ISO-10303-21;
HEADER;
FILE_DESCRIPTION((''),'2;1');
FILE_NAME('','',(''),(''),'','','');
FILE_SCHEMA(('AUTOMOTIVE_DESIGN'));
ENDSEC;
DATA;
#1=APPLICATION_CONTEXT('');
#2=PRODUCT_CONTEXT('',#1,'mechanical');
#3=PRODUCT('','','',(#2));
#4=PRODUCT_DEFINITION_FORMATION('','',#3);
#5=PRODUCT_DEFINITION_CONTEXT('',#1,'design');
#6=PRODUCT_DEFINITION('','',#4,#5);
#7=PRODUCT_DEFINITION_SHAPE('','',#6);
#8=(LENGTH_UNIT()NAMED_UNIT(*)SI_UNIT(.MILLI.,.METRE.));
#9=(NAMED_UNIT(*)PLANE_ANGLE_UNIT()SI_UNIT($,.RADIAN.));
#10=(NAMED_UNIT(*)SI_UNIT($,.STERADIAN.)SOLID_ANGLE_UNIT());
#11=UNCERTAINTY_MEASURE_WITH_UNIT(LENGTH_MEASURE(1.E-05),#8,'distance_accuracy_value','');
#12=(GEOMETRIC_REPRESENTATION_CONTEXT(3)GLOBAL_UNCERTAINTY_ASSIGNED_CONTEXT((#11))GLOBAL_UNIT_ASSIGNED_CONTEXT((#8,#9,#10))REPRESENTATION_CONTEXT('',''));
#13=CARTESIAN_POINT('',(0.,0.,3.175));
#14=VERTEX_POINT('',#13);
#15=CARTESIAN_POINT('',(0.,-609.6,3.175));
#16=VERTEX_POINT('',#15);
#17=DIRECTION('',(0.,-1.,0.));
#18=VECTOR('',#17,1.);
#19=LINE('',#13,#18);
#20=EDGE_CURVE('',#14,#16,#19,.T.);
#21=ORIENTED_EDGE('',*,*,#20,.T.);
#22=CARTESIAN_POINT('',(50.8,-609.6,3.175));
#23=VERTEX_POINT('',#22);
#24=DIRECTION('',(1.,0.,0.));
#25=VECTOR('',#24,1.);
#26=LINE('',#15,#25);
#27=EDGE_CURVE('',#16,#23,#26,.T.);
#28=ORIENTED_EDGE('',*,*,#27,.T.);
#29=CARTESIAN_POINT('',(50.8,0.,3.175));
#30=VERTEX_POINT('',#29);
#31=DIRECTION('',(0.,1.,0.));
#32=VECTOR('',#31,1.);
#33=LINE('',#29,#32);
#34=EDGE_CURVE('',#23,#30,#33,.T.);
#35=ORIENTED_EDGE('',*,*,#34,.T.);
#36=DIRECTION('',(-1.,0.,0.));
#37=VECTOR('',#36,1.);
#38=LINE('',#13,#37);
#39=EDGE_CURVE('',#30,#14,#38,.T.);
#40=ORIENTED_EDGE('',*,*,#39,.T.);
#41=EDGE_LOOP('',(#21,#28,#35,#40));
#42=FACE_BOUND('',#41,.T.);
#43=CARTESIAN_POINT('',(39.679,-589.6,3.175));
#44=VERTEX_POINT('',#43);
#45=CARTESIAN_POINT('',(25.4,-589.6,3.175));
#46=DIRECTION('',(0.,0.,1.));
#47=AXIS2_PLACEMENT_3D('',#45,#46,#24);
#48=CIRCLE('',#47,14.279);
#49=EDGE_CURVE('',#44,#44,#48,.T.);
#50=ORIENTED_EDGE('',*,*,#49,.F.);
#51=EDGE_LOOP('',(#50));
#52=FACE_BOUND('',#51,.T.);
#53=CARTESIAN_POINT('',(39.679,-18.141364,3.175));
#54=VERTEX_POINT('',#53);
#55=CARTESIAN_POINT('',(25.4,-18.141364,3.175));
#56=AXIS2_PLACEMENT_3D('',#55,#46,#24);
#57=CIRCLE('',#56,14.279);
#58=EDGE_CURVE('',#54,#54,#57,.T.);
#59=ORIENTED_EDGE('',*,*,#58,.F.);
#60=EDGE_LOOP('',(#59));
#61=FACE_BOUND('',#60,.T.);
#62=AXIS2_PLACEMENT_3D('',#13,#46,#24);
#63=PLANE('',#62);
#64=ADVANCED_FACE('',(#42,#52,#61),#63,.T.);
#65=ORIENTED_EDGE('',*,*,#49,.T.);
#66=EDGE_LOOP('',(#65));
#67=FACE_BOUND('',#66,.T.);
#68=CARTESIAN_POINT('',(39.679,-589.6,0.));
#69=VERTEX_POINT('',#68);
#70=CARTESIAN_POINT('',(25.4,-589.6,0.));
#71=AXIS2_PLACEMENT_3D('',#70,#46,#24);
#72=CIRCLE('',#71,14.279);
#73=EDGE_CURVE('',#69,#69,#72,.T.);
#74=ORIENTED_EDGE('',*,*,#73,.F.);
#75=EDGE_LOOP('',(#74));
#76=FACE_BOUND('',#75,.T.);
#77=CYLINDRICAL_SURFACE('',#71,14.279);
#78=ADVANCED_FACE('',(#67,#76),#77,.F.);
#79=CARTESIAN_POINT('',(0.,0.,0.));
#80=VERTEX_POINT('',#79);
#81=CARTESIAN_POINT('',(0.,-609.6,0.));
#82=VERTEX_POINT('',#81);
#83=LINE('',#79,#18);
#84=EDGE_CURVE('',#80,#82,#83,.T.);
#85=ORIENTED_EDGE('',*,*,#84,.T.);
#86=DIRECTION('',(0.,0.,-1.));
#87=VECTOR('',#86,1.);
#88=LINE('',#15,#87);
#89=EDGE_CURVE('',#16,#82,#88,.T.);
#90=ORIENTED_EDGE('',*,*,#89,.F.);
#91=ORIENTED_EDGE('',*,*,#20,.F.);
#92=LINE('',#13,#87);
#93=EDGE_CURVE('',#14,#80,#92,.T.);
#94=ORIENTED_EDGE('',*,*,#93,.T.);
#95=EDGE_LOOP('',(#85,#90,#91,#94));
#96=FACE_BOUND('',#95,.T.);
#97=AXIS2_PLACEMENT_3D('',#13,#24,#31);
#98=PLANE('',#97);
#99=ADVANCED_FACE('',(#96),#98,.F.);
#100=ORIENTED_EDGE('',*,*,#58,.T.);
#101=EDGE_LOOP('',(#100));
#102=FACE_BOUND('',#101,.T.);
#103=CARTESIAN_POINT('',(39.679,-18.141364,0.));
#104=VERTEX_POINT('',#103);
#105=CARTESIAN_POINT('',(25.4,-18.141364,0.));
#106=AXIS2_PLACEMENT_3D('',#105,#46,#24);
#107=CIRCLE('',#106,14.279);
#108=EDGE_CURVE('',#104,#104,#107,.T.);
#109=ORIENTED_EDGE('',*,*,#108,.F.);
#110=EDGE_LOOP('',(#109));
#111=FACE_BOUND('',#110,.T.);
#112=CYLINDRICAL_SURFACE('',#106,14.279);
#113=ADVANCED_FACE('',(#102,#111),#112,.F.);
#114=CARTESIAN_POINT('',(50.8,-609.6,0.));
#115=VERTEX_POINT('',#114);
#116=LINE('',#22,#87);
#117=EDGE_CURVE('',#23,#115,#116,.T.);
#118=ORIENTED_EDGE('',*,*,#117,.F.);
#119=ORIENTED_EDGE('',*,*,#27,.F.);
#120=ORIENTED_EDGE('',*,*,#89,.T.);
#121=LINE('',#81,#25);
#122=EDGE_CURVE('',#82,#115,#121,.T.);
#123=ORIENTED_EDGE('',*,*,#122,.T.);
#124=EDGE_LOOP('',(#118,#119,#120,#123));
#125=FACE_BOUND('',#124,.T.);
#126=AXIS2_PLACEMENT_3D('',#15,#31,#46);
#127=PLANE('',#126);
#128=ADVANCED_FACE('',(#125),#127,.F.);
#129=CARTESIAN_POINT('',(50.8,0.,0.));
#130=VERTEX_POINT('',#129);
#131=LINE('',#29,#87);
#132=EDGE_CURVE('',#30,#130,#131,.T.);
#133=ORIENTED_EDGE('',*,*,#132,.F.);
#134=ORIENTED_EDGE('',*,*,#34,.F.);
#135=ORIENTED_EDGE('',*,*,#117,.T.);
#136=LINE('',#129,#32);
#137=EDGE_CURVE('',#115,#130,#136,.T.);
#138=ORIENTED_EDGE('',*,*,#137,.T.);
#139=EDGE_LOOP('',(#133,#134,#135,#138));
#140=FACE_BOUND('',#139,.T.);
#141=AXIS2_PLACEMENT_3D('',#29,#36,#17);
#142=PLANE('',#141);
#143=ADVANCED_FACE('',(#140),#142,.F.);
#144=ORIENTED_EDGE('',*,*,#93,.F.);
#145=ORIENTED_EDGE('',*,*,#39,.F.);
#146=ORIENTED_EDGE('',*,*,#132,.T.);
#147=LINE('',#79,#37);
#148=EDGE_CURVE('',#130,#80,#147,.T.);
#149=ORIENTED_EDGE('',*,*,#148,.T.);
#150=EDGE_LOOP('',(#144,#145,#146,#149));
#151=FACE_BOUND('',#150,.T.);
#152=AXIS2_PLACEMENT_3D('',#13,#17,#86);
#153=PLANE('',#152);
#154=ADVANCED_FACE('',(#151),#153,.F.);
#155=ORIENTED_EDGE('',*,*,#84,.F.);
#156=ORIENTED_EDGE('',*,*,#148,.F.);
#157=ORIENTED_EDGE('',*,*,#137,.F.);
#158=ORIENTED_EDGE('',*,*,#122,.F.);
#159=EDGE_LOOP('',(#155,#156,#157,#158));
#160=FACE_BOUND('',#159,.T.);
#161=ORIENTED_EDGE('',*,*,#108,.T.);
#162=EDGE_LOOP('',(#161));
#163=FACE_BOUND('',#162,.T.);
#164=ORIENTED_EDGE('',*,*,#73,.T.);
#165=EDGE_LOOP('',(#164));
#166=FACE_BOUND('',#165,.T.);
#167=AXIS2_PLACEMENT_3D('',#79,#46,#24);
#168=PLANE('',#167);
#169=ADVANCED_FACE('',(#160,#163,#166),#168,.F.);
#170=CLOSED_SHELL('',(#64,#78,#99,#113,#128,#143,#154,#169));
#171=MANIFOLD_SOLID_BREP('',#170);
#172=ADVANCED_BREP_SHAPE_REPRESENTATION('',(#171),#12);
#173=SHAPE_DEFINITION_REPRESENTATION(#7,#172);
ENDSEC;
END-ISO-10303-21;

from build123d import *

# Parameters (mm, degrees)
SKETCH1_W           = 50.8
SKETCH1_H           = 609.6
BOSS_EXTRUDE1_DEPTH = 3.175
SKETCH2_R           = 14.279
CUT_EXTRUDE1_DEPTH  = 4.175


with BuildPart() as part:
    # Sketch1 → Boss-Extrude1 (new body)
    with BuildSketch(Plane.XY):
        with Locations((25.4, -304.8)):
            Rectangle(SKETCH1_W, SKETCH1_H)
    extrude(amount=BOSS_EXTRUDE1_DEPTH)

    # Sketch2 → Cut-Extrude1 (cut, through all)
    with BuildSketch(Plane.XY.offset(3.175)):
        with Locations((25.4, -18.141364063)):
            Circle(SKETCH2_R)
        with Locations((25.4, -589.6)):
            Circle(SKETCH2_R)
    extrude(amount=-CUT_EXTRUDE1_DEPTH, mode=Mode.SUBTRACT)


solid = part.part
